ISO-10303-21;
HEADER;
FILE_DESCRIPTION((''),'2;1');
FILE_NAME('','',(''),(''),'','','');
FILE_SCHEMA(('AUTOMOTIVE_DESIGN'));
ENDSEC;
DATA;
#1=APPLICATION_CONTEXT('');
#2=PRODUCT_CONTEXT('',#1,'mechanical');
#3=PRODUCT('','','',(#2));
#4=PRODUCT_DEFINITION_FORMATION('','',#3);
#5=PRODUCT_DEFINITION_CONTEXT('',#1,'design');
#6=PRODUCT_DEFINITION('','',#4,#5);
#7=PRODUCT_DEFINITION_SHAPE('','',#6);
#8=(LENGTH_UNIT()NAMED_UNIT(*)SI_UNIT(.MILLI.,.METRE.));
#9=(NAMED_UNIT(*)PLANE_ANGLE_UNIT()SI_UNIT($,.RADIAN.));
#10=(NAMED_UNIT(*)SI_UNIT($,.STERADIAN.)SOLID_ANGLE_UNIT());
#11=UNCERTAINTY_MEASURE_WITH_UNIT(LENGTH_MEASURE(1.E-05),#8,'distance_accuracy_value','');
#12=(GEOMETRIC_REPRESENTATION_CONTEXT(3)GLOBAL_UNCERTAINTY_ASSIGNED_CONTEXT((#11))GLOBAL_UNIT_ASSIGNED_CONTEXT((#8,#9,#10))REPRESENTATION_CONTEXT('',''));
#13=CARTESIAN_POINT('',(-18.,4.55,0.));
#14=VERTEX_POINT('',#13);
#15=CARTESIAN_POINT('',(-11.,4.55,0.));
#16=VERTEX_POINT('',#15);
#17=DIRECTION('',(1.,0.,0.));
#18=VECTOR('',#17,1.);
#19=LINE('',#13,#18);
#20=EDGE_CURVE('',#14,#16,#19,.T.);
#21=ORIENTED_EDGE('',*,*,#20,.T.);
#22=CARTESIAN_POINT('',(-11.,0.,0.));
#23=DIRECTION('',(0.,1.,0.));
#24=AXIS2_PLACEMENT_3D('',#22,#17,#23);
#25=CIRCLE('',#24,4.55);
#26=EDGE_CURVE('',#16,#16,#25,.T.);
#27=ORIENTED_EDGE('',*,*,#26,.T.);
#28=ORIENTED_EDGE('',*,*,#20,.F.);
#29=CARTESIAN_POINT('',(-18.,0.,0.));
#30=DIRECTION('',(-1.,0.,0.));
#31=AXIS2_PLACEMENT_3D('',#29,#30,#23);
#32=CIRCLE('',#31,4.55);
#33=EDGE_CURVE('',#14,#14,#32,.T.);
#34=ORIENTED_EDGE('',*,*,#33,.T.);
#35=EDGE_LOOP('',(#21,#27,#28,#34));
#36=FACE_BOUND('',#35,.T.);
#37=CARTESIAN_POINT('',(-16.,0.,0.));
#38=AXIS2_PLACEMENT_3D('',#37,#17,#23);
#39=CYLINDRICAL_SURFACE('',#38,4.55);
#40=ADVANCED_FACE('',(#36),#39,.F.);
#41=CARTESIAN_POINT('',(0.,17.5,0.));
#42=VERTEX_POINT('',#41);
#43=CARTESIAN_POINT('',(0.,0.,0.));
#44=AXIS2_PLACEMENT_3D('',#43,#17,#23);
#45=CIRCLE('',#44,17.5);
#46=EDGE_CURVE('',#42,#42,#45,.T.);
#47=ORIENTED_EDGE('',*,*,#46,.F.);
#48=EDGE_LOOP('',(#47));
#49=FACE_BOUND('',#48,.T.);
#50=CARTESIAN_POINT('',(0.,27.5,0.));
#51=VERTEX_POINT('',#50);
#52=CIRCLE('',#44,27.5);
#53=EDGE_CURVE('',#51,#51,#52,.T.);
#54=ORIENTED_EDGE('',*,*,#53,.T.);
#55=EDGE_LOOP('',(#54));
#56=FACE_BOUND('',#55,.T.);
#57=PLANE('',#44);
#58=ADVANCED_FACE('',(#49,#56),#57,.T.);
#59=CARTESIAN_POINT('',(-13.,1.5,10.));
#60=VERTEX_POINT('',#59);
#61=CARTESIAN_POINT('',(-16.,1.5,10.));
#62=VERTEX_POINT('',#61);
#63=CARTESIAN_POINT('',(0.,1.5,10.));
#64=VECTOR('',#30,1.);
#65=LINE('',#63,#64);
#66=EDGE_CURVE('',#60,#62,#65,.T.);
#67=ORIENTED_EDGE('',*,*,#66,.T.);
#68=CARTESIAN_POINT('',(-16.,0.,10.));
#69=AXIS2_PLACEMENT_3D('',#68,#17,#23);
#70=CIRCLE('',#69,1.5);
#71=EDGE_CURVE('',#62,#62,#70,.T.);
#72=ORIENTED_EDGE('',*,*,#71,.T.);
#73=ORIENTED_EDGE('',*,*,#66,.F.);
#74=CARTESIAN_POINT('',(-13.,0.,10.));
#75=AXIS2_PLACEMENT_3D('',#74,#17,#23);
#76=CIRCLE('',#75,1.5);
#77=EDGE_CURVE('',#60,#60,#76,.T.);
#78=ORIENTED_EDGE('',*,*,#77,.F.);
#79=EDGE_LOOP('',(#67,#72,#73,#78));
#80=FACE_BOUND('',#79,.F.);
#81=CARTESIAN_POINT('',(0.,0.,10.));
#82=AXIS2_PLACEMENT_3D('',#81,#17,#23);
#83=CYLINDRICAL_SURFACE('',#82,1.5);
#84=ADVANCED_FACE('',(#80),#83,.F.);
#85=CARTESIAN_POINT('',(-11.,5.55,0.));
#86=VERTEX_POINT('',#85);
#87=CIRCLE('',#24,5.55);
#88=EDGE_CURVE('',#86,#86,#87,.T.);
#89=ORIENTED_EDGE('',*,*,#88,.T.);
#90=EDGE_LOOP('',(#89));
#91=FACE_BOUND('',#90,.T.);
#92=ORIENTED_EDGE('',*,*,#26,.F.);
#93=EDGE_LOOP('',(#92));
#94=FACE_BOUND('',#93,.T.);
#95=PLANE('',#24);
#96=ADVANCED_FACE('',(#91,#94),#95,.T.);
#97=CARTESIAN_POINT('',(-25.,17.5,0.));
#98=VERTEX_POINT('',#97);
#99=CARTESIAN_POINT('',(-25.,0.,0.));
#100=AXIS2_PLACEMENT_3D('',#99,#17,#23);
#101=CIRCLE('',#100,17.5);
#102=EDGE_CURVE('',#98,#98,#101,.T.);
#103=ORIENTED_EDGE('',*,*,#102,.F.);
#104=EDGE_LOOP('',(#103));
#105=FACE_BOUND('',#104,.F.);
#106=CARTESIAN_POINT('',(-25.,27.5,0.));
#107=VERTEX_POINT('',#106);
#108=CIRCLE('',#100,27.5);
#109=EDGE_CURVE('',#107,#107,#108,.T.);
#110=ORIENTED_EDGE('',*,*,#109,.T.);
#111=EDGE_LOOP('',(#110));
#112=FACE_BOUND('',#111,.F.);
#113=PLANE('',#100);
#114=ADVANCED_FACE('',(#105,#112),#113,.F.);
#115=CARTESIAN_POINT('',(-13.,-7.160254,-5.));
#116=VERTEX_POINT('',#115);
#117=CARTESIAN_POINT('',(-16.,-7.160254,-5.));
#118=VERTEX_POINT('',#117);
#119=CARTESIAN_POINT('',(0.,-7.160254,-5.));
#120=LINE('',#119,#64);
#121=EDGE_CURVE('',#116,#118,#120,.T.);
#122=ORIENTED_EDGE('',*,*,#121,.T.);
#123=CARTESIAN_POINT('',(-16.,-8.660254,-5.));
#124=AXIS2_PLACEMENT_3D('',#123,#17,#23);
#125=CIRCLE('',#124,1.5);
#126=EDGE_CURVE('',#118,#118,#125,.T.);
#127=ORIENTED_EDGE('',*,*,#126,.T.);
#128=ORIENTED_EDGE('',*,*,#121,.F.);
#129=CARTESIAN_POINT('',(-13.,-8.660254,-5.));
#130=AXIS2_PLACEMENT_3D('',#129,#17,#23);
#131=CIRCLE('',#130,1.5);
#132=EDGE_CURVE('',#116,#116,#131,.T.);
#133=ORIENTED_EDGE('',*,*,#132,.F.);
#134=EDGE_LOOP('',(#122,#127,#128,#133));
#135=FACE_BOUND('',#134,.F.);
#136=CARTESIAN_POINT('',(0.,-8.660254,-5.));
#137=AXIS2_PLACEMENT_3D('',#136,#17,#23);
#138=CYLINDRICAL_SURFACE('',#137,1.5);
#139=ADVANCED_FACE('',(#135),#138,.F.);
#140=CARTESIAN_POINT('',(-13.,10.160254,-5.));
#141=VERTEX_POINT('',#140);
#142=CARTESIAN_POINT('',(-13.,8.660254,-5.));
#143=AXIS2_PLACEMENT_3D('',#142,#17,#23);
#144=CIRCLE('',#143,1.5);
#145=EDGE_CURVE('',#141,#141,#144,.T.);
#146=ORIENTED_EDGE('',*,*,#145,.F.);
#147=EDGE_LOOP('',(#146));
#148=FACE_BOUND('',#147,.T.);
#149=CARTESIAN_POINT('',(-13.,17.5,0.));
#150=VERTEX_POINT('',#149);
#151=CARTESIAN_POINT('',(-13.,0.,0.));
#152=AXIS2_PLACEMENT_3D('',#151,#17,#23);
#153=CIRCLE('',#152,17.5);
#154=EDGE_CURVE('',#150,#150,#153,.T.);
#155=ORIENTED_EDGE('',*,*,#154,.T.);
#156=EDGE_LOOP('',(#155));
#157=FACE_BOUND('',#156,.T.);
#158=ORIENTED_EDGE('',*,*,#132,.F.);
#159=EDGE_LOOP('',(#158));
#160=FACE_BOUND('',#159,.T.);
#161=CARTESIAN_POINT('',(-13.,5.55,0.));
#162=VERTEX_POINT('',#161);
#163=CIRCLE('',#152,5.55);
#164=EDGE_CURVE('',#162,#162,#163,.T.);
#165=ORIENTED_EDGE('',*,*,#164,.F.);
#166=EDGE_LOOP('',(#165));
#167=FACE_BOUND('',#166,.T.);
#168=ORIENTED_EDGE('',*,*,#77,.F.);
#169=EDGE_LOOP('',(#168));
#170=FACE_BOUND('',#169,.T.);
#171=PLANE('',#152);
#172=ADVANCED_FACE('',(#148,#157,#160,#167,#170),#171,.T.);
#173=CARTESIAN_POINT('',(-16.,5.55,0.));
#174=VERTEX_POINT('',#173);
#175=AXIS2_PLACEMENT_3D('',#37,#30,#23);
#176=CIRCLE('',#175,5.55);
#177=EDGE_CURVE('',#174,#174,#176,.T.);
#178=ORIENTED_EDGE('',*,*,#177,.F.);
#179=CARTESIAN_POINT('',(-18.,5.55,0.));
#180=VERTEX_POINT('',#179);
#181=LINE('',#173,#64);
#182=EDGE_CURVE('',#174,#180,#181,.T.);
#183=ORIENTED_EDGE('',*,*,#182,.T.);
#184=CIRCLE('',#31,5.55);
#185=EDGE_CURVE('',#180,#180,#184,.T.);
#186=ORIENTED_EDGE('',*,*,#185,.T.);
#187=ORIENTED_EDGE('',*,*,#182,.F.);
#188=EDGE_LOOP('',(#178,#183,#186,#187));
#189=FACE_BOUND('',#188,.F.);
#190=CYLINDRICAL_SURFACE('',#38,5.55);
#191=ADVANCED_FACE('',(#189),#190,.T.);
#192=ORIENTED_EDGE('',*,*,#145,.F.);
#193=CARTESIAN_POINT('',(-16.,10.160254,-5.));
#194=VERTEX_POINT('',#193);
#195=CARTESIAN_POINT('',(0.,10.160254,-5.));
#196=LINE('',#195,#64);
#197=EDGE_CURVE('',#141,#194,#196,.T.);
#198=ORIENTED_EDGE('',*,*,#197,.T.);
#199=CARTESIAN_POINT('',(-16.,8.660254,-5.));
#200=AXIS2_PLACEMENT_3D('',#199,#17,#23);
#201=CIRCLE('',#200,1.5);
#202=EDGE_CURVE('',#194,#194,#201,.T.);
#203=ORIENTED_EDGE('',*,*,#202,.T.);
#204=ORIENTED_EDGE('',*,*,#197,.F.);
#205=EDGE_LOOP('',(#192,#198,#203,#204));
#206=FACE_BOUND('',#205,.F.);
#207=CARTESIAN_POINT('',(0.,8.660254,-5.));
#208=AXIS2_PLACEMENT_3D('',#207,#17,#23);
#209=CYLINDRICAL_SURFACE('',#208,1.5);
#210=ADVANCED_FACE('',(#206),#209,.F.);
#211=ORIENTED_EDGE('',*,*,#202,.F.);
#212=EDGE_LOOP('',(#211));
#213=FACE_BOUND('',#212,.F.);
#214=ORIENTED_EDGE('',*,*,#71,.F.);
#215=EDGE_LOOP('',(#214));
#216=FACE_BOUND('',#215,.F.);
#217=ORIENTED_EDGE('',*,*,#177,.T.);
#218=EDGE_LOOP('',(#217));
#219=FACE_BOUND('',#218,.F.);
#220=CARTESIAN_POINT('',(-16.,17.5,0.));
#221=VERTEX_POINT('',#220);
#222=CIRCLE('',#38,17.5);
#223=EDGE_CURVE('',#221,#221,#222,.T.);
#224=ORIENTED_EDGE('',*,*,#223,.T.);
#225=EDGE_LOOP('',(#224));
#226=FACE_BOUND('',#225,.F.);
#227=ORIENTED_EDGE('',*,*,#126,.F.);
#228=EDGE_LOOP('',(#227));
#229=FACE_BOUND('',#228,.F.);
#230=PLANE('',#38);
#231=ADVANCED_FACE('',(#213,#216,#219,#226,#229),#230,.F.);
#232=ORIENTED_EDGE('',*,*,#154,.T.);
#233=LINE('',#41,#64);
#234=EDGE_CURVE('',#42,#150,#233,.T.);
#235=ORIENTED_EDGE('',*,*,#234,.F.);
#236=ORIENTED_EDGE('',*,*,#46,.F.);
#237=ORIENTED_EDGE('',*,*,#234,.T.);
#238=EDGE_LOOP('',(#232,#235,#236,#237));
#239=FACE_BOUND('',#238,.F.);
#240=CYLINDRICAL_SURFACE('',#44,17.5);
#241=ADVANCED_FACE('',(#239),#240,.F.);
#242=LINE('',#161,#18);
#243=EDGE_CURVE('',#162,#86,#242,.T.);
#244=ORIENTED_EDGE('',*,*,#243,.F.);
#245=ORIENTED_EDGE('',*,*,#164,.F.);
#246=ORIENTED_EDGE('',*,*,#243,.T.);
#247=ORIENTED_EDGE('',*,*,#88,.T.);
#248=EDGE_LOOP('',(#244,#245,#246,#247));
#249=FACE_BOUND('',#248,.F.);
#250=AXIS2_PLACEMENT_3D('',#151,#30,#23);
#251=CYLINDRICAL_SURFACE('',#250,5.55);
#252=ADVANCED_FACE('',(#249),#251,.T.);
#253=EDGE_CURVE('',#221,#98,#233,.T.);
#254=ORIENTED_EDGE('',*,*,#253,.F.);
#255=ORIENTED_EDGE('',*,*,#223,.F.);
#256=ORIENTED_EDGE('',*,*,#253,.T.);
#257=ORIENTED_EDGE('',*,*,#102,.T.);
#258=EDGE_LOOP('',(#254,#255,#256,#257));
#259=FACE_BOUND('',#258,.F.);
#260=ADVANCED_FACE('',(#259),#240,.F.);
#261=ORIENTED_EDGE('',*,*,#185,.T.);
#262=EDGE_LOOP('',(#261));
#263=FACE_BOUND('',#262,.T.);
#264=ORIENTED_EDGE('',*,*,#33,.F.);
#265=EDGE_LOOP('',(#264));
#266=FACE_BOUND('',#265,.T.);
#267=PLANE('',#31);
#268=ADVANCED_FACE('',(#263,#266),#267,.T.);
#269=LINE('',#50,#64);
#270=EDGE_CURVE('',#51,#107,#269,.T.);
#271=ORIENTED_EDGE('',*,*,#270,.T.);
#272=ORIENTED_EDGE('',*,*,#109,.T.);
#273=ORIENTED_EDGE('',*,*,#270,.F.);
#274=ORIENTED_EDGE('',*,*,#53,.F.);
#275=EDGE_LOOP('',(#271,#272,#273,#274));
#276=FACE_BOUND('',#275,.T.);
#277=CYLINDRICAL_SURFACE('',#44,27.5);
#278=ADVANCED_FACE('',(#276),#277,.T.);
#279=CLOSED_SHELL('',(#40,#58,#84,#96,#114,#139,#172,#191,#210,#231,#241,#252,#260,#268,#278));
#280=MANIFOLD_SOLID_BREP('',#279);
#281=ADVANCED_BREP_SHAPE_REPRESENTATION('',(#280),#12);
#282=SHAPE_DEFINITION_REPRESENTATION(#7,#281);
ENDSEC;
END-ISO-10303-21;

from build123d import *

# Parameters (mm, degrees)
SKETCH_R      = 27.5
SKETCH_R_2    = 17.5
PAD_DEPTH     = 25
SKETCH001_R   = 17.5
SKETCH001_R_2 = 4.55
SKETCH001_R_3 = 1.5
PAD001_DEPTH  = 16
SKETCH002_R   = 17.5
POCKET_DEPTH  = 13
SKETCH003_R   = 5.55
SKETCH003_R_2 = 4.55
PAD002_DEPTH  = 2
SKETCH004_R   = 5.55
SKETCH004_R_2 = 4.55
PAD003_DEPTH  = 2


with BuildPart() as part:
    # Sketch → Pad (new body)
    with BuildSketch(Plane.YZ):
        Circle(SKETCH_R)
        Circle(SKETCH_R_2, mode=Mode.SUBTRACT)
    extrude(amount=-PAD_DEPTH)

    # Sketch001 → Pad001 (join)
    with BuildSketch(Plane.YZ):
        Circle(SKETCH001_R)
        Circle(SKETCH001_R_2, mode=Mode.SUBTRACT)
        with Locations((0, 10)):
            Circle(SKETCH001_R_3, mode=Mode.SUBTRACT)
        with Locations((-8.660254, -5)):
            Circle(SKETCH001_R_3, mode=Mode.SUBTRACT)
        with Locations((8.660254, -5)):
            Circle(SKETCH001_R_3, mode=Mode.SUBTRACT)
    extrude(amount=-PAD001_DEPTH)

    # Sketch002 → Pocket (cut)
    with BuildSketch(Plane.YZ):
        Circle(SKETCH002_R)
    extrude(amount=-POCKET_DEPTH, mode=Mode.SUBTRACT)

    # Sketch003 (on Face6 of Pocket) → Pad002 (join)
    with BuildSketch(Plane.YZ.offset(-13)):
        Circle(SKETCH003_R)
        Circle(SKETCH003_R_2, mode=Mode.SUBTRACT)
    extrude(amount=PAD002_DEPTH)

    # Sketch004 (on Face7 of Pad002) → Pad003 (join)
    with BuildSketch(Plane(origin=(-16, 0, 0), x_dir=(0, 1, 0), z_dir=(-1, 0, 0))):
        Circle(SKETCH004_R)
        Circle(SKETCH004_R_2, mode=Mode.SUBTRACT)
    extrude(amount=PAD003_DEPTH)


solid = part.part
